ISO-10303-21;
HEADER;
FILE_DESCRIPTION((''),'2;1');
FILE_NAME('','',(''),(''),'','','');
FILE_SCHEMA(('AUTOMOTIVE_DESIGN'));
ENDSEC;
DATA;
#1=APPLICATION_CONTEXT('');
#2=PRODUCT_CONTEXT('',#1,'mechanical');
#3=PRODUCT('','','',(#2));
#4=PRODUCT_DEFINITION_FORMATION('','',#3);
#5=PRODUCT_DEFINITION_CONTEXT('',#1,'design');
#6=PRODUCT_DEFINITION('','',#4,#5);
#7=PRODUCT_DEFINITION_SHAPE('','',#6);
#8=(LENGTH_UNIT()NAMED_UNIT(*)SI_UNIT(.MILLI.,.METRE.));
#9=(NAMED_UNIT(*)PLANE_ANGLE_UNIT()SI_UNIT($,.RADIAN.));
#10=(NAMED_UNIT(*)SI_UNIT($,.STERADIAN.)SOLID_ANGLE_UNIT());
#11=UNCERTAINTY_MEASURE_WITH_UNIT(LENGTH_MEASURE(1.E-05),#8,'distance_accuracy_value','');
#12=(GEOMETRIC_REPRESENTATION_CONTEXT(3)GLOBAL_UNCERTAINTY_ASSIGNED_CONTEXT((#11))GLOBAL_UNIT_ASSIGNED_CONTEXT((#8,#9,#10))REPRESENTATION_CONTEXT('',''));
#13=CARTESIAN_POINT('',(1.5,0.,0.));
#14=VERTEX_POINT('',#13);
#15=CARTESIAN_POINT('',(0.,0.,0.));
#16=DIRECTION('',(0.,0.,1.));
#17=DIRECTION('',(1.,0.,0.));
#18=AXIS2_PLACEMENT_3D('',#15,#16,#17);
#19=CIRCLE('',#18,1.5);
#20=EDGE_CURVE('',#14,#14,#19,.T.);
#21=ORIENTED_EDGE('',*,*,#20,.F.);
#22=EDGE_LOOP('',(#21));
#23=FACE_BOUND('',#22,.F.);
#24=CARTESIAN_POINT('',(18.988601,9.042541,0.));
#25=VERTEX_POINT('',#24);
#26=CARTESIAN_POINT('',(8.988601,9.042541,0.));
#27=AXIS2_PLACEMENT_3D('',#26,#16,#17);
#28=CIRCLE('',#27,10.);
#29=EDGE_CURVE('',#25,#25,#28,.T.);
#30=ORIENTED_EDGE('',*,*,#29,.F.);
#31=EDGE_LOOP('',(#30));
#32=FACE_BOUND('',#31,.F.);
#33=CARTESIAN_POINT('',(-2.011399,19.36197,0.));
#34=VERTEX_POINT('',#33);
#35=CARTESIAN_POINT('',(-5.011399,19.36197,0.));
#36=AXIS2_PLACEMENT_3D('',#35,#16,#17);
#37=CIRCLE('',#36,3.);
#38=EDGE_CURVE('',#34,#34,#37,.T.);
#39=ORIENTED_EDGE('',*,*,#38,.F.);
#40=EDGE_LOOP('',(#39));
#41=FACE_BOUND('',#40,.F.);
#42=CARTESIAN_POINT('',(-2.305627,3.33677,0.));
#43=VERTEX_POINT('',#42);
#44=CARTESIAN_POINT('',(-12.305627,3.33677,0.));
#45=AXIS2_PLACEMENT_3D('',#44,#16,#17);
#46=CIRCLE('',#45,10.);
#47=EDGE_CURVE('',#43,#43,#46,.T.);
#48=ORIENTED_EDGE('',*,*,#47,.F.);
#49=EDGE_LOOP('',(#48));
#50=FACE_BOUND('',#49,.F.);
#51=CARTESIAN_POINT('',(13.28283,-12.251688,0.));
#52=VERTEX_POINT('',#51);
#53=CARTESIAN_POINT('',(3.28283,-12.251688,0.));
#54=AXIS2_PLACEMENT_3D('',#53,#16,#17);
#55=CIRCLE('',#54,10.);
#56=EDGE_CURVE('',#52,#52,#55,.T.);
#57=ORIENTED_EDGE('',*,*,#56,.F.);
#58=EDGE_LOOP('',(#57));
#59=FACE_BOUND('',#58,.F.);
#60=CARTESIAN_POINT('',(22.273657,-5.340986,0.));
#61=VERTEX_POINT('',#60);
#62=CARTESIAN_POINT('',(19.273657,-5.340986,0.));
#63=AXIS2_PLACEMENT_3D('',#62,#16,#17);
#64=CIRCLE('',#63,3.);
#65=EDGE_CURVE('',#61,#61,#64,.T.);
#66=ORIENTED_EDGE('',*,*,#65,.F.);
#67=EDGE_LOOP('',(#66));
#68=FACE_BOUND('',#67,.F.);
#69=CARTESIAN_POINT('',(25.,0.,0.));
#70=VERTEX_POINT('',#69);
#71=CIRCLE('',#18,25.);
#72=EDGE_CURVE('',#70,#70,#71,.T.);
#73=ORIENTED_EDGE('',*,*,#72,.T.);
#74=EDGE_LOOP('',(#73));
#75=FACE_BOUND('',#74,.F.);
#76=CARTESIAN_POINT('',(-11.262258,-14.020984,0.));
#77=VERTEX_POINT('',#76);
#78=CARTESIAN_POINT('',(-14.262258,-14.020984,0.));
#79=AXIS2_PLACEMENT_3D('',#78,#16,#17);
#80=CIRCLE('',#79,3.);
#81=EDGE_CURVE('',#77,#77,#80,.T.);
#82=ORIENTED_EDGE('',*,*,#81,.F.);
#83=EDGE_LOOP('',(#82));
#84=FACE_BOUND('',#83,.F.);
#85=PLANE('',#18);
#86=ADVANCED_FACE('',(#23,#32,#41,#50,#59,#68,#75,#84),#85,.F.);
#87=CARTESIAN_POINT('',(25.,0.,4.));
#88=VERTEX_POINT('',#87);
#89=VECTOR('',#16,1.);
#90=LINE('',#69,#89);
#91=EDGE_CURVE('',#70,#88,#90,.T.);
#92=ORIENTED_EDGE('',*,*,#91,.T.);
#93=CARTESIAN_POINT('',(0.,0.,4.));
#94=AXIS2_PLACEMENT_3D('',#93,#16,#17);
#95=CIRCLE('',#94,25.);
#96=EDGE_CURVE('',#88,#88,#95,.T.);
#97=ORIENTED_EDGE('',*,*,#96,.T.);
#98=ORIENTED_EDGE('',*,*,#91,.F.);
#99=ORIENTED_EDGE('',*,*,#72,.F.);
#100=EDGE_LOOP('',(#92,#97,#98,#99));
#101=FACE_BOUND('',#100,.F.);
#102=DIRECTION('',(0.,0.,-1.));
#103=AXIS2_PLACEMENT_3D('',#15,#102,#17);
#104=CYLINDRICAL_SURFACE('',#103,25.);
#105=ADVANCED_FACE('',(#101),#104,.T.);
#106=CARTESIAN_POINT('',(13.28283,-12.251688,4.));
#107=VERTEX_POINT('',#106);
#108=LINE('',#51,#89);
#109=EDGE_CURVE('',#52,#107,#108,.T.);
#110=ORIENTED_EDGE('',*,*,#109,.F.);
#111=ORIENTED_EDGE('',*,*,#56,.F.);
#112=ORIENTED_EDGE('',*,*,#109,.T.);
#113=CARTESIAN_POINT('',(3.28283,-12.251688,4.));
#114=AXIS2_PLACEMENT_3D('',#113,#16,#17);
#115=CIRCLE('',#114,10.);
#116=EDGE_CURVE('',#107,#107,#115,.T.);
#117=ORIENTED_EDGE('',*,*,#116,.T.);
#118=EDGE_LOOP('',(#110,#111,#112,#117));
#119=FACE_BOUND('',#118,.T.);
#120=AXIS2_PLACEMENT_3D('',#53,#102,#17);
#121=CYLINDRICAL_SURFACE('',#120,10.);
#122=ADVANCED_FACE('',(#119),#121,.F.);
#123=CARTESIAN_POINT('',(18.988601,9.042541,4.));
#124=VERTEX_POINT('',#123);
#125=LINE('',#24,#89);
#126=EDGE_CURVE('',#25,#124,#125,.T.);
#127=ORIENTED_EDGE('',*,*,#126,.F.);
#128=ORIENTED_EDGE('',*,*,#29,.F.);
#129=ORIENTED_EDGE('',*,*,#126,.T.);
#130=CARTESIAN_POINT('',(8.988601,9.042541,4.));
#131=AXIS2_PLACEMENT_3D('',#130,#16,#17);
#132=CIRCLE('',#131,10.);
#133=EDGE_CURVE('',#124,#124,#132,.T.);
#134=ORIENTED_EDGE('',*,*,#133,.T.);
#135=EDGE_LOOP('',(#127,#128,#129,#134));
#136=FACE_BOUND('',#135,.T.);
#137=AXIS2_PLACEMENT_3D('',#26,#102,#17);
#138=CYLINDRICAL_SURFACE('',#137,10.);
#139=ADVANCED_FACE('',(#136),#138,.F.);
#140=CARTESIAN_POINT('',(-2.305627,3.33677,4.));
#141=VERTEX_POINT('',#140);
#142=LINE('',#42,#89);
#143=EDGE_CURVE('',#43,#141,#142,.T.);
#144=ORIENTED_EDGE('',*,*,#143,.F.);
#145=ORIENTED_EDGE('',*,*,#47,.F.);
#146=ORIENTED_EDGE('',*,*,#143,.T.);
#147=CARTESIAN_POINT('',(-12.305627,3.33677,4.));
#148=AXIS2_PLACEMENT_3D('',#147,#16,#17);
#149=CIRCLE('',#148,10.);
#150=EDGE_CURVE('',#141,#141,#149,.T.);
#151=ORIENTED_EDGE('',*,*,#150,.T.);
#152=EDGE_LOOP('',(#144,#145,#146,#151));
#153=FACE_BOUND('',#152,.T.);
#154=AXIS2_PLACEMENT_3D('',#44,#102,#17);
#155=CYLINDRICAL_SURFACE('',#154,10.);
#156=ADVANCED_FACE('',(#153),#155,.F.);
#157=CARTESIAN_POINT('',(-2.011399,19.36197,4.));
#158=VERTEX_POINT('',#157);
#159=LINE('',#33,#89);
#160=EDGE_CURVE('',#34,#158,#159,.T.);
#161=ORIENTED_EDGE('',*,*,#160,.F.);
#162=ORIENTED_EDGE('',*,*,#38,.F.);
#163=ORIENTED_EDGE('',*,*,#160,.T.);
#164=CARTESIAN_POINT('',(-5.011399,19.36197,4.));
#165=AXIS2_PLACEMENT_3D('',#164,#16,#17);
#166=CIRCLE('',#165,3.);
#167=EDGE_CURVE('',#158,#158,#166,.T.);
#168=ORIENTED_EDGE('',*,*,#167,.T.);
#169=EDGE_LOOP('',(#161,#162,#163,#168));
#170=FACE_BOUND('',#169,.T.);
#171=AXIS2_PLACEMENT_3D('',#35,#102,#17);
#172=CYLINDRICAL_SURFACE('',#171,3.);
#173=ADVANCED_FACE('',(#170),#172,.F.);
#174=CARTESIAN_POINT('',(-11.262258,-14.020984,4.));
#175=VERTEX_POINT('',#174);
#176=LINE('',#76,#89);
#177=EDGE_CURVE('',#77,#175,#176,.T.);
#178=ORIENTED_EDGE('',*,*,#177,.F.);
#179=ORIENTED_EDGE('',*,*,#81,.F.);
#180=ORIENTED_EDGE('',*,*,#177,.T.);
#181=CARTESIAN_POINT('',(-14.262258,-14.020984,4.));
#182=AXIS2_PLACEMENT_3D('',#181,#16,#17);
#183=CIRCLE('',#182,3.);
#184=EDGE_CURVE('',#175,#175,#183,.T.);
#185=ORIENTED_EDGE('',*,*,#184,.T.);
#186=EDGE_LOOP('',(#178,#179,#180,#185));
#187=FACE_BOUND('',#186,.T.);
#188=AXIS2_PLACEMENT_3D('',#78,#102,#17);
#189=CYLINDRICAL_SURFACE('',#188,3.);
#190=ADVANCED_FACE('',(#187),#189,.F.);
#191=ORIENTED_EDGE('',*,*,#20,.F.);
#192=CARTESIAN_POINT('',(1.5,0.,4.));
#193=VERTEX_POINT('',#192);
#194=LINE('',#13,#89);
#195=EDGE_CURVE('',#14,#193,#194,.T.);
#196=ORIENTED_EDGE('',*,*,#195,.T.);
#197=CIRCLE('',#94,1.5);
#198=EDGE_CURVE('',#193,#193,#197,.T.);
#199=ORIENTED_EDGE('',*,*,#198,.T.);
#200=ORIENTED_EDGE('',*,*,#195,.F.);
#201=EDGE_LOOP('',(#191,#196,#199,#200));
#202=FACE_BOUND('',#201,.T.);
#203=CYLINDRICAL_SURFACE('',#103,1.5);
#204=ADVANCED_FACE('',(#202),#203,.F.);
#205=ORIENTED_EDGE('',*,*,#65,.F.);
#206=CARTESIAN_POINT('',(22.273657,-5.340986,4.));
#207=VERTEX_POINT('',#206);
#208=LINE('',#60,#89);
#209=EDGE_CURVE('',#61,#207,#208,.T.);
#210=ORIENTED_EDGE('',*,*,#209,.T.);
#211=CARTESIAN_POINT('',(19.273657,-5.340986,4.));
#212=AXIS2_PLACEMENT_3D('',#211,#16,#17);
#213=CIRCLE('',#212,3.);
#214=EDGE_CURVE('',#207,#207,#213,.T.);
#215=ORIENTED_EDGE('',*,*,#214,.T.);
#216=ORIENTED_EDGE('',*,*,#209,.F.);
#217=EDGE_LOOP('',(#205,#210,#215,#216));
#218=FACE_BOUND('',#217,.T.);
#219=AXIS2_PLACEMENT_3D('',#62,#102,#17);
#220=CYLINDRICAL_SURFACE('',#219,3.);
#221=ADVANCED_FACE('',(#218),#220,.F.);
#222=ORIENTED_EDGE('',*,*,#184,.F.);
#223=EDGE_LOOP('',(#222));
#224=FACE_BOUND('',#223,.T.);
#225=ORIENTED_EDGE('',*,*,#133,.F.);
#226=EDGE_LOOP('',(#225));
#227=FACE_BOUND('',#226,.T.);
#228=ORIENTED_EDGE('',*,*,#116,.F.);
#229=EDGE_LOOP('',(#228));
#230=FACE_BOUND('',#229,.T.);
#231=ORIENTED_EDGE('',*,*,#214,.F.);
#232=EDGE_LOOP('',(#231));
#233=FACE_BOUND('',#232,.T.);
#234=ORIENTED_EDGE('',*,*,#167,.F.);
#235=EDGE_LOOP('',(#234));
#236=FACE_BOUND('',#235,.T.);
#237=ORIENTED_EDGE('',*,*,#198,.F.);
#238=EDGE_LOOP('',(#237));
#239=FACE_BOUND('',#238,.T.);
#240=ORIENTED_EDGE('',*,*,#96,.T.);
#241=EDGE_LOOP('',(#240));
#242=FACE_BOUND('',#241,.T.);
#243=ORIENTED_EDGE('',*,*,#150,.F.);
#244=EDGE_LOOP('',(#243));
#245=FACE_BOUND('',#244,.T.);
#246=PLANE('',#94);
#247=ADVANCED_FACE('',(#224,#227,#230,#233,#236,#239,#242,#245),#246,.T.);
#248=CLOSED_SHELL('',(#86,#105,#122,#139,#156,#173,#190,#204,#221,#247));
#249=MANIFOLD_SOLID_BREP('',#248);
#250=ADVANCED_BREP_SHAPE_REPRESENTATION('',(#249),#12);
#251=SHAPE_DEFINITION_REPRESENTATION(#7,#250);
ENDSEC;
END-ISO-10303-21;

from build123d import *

# Parameters (mm, degrees)
F0_R     = 25
F0_R_2   = 3
F0_R_3   = 10
F0_R_4   = 1.5
F1_DEPTH = 4


with BuildPart() as f1:
    # F0 (on Top) → F1 (new body)
    with BuildSketch(Plane.XY):
        Circle(F0_R)
        with Locations((-14.262258, -14.020984)):
            Circle(F0_R_2, mode=Mode.SUBTRACT)
        with Locations((3.28283, -12.251688)):
            Circle(F0_R_3, mode=Mode.SUBTRACT)
        with Locations((19.273657, -5.340986)):
            Circle(F0_R_2, mode=Mode.SUBTRACT)
        with Locations((-12.305627, 3.33677)):
            Circle(F0_R_3, mode=Mode.SUBTRACT)
        with Locations((-5.011399, 19.36197)):
            Circle(F0_R_2, mode=Mode.SUBTRACT)
        Circle(F0_R_4, mode=Mode.SUBTRACT)
        with Locations((8.988601, 9.042541)):
            Circle(F0_R_3, mode=Mode.SUBTRACT)
    extrude(amount=F1_DEPTH)


solid = f1.part
